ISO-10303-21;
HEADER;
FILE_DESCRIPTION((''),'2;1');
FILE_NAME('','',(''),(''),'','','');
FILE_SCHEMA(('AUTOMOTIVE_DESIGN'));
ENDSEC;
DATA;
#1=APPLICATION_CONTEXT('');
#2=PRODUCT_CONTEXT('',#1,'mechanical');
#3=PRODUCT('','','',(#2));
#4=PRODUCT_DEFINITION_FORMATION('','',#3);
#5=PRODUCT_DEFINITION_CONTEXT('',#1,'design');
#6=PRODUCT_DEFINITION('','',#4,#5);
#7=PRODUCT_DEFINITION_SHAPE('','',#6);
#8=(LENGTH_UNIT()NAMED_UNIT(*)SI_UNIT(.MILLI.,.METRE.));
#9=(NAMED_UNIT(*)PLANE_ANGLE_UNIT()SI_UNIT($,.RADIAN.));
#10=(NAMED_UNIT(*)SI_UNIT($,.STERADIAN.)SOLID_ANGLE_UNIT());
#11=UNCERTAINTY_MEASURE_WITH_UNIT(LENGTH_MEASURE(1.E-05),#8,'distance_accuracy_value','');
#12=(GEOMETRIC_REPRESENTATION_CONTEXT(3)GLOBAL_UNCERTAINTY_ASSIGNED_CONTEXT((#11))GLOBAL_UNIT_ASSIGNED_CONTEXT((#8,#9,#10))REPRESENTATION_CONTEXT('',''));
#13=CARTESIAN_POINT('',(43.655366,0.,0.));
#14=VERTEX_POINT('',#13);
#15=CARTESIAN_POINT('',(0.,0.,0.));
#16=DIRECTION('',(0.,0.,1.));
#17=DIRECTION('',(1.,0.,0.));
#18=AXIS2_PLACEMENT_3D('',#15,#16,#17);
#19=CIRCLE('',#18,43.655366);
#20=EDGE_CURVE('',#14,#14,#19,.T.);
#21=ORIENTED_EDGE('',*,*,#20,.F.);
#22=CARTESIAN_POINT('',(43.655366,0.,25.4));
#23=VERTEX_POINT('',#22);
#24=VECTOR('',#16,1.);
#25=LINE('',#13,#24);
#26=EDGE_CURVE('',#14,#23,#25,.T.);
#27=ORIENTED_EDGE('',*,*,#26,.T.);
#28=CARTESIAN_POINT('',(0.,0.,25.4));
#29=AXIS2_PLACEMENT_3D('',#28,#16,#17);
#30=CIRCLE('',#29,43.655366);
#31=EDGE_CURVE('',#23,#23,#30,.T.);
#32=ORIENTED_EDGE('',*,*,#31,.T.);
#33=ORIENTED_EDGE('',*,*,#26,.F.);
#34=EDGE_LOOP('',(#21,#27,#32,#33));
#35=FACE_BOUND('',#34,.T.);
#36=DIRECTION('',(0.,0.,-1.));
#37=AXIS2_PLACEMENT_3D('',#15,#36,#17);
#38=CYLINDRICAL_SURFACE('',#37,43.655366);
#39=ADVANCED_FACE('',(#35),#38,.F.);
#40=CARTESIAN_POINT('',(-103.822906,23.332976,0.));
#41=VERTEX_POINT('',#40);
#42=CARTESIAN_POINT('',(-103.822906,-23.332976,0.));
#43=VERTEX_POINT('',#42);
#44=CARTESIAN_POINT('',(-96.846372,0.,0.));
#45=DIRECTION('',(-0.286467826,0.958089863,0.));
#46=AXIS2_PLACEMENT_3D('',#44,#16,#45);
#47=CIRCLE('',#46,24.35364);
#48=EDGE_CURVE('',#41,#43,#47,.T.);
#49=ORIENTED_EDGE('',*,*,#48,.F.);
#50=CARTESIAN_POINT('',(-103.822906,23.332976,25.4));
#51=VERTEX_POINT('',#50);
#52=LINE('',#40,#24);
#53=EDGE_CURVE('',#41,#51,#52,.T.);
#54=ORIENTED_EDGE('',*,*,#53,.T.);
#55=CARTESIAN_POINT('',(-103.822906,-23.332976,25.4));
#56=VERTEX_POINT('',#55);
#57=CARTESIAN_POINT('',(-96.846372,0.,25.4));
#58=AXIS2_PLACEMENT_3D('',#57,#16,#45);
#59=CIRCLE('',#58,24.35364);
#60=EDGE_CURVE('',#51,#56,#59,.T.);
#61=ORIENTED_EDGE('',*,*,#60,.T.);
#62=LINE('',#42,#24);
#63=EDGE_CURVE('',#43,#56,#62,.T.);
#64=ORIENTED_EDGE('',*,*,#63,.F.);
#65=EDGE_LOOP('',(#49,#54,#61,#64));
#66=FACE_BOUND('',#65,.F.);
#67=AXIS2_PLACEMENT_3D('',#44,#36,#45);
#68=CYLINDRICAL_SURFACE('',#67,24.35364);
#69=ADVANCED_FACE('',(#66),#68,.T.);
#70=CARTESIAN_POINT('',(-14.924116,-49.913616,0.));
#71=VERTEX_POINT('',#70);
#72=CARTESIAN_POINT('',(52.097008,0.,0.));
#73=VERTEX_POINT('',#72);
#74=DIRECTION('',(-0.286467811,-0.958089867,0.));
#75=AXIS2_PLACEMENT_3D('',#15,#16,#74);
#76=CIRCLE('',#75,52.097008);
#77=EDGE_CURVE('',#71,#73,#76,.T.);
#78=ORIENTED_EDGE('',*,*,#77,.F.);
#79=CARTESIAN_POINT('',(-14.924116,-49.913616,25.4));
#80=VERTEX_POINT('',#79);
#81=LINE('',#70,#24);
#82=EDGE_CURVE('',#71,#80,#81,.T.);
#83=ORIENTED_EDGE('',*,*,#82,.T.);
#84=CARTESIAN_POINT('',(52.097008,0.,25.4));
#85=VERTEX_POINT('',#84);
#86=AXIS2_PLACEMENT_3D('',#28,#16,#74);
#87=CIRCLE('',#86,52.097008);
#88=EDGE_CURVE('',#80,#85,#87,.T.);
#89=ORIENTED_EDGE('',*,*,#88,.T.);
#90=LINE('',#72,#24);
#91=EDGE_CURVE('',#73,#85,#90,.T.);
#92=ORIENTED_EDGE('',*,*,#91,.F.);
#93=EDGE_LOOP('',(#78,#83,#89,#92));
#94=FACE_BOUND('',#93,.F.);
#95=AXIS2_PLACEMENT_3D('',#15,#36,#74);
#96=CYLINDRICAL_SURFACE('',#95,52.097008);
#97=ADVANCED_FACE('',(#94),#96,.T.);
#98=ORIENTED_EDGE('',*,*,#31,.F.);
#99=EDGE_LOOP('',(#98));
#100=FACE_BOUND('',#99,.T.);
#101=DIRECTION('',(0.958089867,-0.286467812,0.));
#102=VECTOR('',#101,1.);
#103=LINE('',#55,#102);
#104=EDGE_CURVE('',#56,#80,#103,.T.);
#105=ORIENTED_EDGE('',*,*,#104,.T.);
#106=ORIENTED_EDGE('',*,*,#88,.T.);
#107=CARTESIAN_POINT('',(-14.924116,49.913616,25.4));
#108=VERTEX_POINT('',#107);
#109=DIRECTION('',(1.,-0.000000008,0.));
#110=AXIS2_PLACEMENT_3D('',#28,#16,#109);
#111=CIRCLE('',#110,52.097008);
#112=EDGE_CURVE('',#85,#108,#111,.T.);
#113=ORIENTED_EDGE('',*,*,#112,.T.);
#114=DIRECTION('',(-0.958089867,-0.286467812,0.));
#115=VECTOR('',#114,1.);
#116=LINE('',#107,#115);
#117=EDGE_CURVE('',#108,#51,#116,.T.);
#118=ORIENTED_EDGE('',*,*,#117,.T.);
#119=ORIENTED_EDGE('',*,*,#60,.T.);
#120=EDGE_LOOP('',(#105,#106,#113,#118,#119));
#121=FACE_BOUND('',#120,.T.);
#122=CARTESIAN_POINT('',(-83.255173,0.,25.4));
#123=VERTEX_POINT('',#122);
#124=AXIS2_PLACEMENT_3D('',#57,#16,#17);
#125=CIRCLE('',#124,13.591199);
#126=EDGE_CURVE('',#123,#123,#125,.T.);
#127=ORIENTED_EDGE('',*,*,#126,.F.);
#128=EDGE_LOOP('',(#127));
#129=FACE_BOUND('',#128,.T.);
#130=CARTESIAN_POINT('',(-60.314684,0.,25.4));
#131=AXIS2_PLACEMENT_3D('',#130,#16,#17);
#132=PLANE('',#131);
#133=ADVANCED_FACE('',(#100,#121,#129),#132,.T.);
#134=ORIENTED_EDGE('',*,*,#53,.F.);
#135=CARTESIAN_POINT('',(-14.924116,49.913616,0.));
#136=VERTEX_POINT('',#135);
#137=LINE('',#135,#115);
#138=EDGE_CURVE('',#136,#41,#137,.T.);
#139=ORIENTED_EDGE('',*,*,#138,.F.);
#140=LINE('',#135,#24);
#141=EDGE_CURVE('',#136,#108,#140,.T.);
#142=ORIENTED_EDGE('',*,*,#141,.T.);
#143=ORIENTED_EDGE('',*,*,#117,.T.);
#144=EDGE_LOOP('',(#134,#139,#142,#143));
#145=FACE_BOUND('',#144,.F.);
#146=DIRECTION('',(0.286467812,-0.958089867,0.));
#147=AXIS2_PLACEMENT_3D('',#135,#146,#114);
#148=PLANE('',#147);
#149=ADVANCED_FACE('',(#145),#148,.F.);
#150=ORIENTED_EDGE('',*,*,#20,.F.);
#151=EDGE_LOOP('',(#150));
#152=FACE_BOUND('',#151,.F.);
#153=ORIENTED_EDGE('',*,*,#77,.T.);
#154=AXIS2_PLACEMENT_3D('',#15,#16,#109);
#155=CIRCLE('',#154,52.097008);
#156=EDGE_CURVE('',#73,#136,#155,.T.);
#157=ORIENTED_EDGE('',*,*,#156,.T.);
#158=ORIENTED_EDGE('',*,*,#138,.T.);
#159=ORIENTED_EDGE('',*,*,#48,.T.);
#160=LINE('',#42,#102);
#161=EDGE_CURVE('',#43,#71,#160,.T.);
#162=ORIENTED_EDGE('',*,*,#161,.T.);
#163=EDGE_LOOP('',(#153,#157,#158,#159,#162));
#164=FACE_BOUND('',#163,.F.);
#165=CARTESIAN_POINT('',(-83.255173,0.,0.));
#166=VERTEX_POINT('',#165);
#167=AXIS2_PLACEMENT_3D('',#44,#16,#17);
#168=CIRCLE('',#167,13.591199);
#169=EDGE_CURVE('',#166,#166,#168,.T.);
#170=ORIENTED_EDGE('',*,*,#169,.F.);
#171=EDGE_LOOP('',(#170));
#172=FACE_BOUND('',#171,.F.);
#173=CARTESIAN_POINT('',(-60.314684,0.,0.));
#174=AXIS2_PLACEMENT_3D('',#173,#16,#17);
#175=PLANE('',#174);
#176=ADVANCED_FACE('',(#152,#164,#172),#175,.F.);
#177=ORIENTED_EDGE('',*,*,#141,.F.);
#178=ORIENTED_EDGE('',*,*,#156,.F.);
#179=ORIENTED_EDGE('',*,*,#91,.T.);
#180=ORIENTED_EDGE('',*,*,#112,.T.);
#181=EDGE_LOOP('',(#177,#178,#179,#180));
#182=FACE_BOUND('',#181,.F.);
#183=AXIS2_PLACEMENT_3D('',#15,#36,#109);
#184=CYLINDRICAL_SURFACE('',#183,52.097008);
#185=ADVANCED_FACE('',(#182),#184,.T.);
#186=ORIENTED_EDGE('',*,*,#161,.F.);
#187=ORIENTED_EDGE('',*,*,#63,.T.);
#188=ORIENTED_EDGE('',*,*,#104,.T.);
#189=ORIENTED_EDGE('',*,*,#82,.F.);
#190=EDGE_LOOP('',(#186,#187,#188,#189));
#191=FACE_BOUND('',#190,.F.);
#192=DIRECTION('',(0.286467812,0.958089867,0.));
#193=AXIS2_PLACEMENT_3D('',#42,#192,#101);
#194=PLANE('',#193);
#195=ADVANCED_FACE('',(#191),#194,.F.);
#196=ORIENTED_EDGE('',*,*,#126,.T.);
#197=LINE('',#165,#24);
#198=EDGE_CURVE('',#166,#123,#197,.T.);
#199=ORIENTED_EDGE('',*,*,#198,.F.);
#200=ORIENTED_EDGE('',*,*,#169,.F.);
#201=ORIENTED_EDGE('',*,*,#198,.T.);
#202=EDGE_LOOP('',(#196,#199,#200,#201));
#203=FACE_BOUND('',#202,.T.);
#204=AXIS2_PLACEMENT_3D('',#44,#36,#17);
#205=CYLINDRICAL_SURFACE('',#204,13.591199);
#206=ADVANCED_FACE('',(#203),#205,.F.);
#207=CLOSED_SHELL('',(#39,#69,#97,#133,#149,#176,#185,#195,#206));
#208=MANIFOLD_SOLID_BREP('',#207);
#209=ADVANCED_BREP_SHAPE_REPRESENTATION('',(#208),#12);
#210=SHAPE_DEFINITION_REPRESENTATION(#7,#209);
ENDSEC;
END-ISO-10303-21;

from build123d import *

# Parameters (mm, degrees)
F0_R     = 13.591199
F0_R_2   = 43.655366
F1_DEPTH = 25.4


with BuildPart() as f1:
    # F0 (on Top) → F1 (new body)
    with BuildSketch(Plane.XY):
        with BuildLine():
            Line((-14.924116, 49.913616), (-103.822906, 23.332976))
            ThreePointArc((-103.822906, 23.332976), (-121.200012, 0), (-103.822906, -23.332976))
            Line((-103.822906, -23.332976), (-14.924116, -49.913616))
            ThreePointArc((-14.924116, -49.913616), (-52.097008, 0), (-14.924116, 49.913616))
        make_face()
        with Locations((-96.846372, 0)):
            Circle(F0_R, mode=Mode.SUBTRACT)
        with BuildLine():
            ThreePointArc((52.097008, 0), (31.117491, 41.782772), (-14.924116, 49.913616))
            ThreePointArc((-14.924116, 49.913616), (-52.097008, 0), (-14.924116, -49.913616))
            ThreePointArc((-14.924116, -49.913616), (31.117491, -41.782772), (52.097008, 0))
        make_face()
        Circle(F0_R_2, mode=Mode.SUBTRACT)
    extrude(amount=F1_DEPTH)


solid = f1.part
